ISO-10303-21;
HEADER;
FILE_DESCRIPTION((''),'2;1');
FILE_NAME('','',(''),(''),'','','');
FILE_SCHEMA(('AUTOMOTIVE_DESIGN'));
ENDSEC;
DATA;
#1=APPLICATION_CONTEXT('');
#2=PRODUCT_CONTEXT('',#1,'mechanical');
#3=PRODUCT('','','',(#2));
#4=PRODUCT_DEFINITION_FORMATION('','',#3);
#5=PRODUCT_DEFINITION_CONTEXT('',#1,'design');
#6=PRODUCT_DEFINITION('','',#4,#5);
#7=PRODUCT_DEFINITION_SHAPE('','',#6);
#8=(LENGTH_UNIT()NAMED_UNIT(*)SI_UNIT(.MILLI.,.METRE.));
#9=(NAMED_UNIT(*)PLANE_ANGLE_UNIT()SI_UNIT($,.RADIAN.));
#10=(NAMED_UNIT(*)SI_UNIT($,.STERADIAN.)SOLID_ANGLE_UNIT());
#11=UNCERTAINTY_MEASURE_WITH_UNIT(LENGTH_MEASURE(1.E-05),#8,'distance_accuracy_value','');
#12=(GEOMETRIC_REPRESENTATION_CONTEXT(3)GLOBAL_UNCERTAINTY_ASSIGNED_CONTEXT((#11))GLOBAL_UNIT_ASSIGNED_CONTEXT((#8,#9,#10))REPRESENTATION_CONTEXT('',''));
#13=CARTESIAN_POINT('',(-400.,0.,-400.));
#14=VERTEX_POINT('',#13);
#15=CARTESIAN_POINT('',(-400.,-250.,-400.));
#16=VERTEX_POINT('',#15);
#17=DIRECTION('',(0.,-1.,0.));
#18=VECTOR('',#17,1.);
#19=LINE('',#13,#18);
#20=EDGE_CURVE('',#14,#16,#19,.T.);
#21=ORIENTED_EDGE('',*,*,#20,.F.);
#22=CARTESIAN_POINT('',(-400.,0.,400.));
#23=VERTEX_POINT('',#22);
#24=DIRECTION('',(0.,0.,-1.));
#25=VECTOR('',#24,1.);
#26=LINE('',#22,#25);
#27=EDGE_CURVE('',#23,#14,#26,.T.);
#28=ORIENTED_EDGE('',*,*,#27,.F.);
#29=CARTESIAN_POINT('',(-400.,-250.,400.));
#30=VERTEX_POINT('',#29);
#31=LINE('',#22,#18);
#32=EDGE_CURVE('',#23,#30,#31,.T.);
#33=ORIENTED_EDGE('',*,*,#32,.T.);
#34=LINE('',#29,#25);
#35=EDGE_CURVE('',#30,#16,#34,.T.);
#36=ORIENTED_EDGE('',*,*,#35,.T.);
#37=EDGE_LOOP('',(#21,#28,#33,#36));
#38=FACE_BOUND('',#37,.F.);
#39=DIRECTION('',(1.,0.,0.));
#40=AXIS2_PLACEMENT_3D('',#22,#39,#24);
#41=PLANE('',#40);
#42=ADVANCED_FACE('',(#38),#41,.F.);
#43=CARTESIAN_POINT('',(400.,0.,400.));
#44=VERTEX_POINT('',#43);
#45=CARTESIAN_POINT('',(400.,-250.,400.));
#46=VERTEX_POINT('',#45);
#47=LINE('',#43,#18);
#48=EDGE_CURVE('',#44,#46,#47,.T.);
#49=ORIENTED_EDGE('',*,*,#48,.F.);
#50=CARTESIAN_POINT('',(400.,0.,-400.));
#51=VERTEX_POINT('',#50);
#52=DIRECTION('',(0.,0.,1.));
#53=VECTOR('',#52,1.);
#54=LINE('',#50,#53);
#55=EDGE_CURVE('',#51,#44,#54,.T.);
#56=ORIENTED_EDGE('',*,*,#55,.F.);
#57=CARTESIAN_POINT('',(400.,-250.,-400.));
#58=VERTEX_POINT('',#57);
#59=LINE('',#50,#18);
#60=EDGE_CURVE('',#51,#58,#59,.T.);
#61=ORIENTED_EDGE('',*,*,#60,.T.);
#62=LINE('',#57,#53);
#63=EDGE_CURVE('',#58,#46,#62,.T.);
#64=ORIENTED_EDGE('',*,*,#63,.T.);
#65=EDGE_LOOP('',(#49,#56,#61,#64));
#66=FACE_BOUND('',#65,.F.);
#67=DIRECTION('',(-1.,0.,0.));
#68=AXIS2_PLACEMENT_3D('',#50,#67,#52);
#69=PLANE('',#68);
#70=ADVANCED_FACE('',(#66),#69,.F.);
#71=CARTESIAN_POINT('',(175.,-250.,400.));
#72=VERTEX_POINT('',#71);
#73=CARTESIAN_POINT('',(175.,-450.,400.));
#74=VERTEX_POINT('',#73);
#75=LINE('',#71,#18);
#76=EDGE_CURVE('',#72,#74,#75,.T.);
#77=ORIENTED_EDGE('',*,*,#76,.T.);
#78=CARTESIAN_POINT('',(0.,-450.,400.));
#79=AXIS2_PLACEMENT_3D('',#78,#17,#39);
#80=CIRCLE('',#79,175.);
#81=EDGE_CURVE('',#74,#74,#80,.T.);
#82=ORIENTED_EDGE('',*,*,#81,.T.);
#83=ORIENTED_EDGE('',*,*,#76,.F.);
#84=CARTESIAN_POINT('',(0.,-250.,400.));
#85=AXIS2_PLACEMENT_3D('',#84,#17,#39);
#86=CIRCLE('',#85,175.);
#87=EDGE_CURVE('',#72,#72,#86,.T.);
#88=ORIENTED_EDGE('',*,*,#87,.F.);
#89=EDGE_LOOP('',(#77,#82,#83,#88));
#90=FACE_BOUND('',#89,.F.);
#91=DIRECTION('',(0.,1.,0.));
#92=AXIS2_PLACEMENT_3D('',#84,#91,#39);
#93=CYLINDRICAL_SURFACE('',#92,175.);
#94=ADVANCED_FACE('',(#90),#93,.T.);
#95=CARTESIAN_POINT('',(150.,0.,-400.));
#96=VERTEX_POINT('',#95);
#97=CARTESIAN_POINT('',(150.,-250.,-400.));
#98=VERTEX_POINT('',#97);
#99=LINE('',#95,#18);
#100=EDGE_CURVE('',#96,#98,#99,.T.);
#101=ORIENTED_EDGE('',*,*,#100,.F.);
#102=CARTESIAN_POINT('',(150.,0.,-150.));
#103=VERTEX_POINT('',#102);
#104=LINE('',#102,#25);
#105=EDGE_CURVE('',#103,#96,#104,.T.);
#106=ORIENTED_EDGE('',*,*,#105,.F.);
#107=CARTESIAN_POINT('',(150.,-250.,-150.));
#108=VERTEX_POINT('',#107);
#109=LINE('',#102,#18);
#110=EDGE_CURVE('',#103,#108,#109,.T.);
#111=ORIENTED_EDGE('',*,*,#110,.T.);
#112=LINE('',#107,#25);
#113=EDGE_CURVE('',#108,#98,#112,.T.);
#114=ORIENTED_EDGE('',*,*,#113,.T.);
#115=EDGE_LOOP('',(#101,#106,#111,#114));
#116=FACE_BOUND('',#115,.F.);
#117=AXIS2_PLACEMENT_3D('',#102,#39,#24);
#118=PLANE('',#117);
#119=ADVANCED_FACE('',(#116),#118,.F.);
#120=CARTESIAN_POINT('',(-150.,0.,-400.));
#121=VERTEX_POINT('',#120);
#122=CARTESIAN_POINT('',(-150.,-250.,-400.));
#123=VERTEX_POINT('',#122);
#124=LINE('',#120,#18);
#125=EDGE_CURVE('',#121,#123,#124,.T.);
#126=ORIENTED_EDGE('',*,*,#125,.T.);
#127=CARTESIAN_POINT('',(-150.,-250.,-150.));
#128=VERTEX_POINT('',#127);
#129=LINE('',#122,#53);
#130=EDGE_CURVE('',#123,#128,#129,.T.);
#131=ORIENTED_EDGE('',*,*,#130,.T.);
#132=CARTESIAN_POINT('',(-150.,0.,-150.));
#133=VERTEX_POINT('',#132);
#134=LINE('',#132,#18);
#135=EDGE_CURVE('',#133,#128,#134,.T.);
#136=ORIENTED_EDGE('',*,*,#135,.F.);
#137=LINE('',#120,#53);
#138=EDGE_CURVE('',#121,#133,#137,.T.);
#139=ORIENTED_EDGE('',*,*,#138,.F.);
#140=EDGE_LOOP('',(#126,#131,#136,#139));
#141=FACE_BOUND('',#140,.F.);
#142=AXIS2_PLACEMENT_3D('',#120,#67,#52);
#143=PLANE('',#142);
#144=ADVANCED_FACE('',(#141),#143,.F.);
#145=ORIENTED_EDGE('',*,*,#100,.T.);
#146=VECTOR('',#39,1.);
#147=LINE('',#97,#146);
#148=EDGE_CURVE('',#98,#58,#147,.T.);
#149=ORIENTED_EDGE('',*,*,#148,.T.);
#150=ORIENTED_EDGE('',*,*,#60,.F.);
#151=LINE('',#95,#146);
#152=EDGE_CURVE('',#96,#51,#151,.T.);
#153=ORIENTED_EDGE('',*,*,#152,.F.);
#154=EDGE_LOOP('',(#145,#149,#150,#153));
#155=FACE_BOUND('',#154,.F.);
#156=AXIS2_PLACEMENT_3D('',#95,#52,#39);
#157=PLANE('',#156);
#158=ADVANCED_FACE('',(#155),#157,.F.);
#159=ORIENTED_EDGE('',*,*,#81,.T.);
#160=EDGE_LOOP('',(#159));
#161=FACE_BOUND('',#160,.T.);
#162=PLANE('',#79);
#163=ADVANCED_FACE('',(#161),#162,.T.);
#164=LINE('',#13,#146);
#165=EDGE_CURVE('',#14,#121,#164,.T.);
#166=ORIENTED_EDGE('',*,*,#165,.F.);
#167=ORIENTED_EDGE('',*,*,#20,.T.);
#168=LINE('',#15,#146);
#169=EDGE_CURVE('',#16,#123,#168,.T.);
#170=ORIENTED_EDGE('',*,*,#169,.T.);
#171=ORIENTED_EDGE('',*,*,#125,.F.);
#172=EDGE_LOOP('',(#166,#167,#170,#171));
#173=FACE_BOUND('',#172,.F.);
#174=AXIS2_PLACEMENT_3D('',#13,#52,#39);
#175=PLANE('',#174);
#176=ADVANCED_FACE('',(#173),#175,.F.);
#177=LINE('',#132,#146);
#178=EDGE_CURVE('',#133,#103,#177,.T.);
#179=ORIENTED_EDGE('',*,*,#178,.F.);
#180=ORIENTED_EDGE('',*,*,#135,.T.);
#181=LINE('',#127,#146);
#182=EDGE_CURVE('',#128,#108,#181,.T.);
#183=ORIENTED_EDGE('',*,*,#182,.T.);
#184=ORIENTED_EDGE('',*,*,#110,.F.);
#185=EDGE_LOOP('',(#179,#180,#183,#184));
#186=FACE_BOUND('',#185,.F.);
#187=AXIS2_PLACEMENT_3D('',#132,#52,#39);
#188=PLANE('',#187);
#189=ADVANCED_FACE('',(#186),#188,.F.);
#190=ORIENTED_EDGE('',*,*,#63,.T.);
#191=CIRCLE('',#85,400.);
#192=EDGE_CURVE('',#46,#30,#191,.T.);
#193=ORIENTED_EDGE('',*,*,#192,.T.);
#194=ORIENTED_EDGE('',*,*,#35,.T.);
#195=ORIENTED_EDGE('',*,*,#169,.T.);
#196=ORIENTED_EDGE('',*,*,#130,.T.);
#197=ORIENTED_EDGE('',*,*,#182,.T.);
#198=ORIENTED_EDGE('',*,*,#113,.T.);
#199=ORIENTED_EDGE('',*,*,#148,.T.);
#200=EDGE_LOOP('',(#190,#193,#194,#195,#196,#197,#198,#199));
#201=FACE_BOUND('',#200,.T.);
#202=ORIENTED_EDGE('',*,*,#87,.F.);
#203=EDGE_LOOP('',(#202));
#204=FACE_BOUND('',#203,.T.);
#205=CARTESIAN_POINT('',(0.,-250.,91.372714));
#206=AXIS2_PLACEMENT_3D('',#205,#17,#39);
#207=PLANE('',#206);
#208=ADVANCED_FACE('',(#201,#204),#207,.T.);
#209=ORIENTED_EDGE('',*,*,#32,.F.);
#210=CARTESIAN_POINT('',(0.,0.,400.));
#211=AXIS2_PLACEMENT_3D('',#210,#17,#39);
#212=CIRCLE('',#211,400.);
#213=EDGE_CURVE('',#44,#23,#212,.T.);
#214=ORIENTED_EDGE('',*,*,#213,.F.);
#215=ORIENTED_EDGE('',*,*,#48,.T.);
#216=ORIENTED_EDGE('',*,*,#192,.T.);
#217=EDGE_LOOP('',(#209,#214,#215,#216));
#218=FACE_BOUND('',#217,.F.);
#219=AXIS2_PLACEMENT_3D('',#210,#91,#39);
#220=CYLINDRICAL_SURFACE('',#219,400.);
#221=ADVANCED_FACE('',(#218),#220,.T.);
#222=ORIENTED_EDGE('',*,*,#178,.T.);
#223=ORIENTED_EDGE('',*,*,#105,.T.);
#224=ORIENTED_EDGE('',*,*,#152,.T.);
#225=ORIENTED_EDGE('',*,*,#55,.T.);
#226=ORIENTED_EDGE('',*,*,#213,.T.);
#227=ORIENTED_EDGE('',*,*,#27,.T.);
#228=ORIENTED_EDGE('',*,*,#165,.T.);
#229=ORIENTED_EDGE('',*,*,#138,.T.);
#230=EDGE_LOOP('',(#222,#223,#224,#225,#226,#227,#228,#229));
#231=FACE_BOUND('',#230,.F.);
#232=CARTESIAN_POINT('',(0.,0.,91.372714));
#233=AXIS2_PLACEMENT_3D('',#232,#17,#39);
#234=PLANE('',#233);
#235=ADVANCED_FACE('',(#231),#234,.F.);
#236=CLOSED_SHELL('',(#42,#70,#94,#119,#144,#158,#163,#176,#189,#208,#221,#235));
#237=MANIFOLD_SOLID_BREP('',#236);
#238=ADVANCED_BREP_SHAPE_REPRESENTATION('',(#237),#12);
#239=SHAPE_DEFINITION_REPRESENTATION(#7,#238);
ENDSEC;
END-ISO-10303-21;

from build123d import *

# Parameters (mm, degrees)
F1_DEPTH = 250
F2_R     = 175
F3_DEPTH = 200


with BuildPart() as f1:
    # F0 (on Front) → F1 (new body)
    with BuildSketch(Plane.XZ):
        with BuildLine():
            Line((-400, 400), (-400, -400))
            Line((-400, -400), (-150, -400))
            Line((-150, -400), (-150, -150))
            Line((-150, -150), (150, -150))
            Line((150, -150), (150, -400))
            Line((150, -400), (400, -400))
            Line((400, -400), (400, 400))
            ThreePointArc((400, 400), (0, 800), (-400, 400))
        make_face()
    extrude(amount=F1_DEPTH)

    # F2 (on face) → F3 (join)
    with BuildSketch(Plane.XZ.offset(250)):
        with Locations((0, 400)):
            Circle(F2_R)
    extrude(amount=F3_DEPTH)


solid = f1.part
